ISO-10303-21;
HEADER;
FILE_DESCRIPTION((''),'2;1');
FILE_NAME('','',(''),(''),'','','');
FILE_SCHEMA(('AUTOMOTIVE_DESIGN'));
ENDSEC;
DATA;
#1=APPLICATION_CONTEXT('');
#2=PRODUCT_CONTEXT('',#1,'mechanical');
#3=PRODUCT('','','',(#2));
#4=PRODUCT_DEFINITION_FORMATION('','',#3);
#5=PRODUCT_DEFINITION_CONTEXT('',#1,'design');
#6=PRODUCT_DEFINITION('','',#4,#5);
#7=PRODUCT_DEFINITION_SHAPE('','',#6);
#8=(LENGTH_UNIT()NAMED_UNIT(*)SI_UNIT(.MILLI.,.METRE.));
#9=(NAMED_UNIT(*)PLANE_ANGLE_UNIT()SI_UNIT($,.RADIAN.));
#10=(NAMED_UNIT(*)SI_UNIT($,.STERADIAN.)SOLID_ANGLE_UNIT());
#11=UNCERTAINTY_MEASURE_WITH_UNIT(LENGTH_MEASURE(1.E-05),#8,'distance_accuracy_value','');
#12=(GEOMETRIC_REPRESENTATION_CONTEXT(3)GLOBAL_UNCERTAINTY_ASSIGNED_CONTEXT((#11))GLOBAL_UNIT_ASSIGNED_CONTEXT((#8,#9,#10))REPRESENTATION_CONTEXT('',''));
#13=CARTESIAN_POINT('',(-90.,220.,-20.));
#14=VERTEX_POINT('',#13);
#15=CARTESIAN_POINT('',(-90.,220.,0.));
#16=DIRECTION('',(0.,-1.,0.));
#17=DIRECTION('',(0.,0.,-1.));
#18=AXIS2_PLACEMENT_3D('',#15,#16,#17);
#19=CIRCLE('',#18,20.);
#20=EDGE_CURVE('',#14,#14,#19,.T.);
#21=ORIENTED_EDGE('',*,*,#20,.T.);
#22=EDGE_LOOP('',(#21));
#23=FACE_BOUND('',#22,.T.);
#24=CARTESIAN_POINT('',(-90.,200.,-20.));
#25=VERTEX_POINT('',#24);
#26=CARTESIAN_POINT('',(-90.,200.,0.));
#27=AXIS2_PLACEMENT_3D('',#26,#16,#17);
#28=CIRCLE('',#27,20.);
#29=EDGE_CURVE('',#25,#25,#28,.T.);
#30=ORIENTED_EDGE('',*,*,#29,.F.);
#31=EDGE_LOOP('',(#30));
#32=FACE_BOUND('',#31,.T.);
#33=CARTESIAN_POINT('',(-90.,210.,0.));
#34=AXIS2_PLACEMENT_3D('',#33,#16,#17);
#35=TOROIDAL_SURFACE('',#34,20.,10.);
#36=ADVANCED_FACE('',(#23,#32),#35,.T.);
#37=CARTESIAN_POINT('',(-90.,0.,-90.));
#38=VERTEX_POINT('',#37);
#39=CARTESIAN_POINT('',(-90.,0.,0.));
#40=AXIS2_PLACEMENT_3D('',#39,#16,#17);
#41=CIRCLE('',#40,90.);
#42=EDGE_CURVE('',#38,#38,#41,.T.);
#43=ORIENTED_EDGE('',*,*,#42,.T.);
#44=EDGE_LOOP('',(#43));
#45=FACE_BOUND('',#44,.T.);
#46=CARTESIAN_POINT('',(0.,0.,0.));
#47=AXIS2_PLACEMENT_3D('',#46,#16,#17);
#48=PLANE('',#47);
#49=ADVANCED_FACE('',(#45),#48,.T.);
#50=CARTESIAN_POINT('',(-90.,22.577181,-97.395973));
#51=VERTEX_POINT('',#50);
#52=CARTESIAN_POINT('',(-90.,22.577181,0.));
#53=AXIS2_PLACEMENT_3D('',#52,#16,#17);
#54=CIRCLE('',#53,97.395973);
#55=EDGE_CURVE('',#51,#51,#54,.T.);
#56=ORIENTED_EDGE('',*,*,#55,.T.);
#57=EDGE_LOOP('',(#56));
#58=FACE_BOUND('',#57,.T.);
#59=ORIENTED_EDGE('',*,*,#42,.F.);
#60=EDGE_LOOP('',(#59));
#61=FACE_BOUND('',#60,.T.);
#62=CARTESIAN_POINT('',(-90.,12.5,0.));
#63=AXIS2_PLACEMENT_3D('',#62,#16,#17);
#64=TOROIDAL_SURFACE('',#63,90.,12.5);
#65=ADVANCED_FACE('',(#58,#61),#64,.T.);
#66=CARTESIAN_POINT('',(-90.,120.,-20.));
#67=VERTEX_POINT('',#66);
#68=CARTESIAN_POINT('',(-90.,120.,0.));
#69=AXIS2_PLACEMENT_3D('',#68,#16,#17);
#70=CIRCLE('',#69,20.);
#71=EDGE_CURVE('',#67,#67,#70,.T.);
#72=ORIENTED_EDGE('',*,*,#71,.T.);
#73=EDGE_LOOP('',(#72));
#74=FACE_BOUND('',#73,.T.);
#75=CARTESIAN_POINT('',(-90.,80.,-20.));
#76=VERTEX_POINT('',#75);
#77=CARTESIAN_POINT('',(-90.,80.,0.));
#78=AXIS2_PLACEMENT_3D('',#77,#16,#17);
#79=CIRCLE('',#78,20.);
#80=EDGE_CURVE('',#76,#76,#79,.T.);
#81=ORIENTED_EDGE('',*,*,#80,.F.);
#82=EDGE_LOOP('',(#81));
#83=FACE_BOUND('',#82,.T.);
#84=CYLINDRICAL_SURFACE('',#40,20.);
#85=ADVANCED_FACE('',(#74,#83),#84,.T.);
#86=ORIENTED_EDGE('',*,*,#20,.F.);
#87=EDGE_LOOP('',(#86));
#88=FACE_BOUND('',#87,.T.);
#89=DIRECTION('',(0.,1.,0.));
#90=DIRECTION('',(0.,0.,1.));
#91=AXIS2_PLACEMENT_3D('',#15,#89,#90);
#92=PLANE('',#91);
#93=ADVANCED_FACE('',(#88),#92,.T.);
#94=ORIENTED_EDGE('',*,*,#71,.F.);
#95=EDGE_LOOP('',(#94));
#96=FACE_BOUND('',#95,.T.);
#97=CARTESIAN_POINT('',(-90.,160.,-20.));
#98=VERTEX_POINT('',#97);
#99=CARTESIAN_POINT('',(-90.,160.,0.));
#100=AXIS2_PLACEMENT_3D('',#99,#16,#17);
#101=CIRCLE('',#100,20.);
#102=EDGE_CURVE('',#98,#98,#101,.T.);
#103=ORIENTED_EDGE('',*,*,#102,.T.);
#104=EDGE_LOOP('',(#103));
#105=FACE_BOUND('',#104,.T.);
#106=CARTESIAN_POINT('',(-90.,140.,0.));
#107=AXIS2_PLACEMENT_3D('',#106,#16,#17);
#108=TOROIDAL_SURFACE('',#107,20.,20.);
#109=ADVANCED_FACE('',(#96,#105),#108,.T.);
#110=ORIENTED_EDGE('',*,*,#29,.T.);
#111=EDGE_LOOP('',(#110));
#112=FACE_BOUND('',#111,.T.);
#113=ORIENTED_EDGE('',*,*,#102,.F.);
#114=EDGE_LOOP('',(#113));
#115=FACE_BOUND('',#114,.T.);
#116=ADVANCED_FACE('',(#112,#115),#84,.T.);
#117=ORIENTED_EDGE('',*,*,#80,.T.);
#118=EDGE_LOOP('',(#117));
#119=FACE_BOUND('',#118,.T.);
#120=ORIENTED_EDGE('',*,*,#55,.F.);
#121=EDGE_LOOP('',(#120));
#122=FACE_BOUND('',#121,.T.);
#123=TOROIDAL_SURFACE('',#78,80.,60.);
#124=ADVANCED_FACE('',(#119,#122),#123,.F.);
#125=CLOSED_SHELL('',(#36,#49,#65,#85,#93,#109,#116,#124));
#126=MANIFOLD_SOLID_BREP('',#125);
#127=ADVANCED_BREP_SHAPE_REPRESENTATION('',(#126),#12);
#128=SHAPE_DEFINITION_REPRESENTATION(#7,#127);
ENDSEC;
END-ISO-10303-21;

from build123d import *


with BuildPart() as part:
    # Sketch1 → Revolve1 (revolve)
    with BuildSketch(Plane.XY, mode=Mode.PRIVATE) as revolve1_sk:
        with BuildLine():
            Line((0, 0), (-90, 0))
            Line((-90, 0), (-90, 220))
            Line((-90, 220), (-70, 220))
            ThreePointArc((-70, 220), (-60, 210), (-70, 200))
            Line((-70, 200), (-70, 160))
            ThreePointArc((-70, 160), (-50, 140), (-70, 120))
            Line((-70, 120), (-70, 80))
            ThreePointArc((-70, 80), (-45.75081545, 31.814118306), (7.395973154, 22.577181208))
            ThreePointArc((7.395973154, 22.577181208), (11.878862848, 8.608648378), (0, 0))
        make_face()
    revolve(revolve1_sk.sketch.rotate(Axis((-90, 0, 0), (0, 1, 0)), 90), axis=Axis((-90, 0, 0), (0, 1, 0)))


solid = part.part
